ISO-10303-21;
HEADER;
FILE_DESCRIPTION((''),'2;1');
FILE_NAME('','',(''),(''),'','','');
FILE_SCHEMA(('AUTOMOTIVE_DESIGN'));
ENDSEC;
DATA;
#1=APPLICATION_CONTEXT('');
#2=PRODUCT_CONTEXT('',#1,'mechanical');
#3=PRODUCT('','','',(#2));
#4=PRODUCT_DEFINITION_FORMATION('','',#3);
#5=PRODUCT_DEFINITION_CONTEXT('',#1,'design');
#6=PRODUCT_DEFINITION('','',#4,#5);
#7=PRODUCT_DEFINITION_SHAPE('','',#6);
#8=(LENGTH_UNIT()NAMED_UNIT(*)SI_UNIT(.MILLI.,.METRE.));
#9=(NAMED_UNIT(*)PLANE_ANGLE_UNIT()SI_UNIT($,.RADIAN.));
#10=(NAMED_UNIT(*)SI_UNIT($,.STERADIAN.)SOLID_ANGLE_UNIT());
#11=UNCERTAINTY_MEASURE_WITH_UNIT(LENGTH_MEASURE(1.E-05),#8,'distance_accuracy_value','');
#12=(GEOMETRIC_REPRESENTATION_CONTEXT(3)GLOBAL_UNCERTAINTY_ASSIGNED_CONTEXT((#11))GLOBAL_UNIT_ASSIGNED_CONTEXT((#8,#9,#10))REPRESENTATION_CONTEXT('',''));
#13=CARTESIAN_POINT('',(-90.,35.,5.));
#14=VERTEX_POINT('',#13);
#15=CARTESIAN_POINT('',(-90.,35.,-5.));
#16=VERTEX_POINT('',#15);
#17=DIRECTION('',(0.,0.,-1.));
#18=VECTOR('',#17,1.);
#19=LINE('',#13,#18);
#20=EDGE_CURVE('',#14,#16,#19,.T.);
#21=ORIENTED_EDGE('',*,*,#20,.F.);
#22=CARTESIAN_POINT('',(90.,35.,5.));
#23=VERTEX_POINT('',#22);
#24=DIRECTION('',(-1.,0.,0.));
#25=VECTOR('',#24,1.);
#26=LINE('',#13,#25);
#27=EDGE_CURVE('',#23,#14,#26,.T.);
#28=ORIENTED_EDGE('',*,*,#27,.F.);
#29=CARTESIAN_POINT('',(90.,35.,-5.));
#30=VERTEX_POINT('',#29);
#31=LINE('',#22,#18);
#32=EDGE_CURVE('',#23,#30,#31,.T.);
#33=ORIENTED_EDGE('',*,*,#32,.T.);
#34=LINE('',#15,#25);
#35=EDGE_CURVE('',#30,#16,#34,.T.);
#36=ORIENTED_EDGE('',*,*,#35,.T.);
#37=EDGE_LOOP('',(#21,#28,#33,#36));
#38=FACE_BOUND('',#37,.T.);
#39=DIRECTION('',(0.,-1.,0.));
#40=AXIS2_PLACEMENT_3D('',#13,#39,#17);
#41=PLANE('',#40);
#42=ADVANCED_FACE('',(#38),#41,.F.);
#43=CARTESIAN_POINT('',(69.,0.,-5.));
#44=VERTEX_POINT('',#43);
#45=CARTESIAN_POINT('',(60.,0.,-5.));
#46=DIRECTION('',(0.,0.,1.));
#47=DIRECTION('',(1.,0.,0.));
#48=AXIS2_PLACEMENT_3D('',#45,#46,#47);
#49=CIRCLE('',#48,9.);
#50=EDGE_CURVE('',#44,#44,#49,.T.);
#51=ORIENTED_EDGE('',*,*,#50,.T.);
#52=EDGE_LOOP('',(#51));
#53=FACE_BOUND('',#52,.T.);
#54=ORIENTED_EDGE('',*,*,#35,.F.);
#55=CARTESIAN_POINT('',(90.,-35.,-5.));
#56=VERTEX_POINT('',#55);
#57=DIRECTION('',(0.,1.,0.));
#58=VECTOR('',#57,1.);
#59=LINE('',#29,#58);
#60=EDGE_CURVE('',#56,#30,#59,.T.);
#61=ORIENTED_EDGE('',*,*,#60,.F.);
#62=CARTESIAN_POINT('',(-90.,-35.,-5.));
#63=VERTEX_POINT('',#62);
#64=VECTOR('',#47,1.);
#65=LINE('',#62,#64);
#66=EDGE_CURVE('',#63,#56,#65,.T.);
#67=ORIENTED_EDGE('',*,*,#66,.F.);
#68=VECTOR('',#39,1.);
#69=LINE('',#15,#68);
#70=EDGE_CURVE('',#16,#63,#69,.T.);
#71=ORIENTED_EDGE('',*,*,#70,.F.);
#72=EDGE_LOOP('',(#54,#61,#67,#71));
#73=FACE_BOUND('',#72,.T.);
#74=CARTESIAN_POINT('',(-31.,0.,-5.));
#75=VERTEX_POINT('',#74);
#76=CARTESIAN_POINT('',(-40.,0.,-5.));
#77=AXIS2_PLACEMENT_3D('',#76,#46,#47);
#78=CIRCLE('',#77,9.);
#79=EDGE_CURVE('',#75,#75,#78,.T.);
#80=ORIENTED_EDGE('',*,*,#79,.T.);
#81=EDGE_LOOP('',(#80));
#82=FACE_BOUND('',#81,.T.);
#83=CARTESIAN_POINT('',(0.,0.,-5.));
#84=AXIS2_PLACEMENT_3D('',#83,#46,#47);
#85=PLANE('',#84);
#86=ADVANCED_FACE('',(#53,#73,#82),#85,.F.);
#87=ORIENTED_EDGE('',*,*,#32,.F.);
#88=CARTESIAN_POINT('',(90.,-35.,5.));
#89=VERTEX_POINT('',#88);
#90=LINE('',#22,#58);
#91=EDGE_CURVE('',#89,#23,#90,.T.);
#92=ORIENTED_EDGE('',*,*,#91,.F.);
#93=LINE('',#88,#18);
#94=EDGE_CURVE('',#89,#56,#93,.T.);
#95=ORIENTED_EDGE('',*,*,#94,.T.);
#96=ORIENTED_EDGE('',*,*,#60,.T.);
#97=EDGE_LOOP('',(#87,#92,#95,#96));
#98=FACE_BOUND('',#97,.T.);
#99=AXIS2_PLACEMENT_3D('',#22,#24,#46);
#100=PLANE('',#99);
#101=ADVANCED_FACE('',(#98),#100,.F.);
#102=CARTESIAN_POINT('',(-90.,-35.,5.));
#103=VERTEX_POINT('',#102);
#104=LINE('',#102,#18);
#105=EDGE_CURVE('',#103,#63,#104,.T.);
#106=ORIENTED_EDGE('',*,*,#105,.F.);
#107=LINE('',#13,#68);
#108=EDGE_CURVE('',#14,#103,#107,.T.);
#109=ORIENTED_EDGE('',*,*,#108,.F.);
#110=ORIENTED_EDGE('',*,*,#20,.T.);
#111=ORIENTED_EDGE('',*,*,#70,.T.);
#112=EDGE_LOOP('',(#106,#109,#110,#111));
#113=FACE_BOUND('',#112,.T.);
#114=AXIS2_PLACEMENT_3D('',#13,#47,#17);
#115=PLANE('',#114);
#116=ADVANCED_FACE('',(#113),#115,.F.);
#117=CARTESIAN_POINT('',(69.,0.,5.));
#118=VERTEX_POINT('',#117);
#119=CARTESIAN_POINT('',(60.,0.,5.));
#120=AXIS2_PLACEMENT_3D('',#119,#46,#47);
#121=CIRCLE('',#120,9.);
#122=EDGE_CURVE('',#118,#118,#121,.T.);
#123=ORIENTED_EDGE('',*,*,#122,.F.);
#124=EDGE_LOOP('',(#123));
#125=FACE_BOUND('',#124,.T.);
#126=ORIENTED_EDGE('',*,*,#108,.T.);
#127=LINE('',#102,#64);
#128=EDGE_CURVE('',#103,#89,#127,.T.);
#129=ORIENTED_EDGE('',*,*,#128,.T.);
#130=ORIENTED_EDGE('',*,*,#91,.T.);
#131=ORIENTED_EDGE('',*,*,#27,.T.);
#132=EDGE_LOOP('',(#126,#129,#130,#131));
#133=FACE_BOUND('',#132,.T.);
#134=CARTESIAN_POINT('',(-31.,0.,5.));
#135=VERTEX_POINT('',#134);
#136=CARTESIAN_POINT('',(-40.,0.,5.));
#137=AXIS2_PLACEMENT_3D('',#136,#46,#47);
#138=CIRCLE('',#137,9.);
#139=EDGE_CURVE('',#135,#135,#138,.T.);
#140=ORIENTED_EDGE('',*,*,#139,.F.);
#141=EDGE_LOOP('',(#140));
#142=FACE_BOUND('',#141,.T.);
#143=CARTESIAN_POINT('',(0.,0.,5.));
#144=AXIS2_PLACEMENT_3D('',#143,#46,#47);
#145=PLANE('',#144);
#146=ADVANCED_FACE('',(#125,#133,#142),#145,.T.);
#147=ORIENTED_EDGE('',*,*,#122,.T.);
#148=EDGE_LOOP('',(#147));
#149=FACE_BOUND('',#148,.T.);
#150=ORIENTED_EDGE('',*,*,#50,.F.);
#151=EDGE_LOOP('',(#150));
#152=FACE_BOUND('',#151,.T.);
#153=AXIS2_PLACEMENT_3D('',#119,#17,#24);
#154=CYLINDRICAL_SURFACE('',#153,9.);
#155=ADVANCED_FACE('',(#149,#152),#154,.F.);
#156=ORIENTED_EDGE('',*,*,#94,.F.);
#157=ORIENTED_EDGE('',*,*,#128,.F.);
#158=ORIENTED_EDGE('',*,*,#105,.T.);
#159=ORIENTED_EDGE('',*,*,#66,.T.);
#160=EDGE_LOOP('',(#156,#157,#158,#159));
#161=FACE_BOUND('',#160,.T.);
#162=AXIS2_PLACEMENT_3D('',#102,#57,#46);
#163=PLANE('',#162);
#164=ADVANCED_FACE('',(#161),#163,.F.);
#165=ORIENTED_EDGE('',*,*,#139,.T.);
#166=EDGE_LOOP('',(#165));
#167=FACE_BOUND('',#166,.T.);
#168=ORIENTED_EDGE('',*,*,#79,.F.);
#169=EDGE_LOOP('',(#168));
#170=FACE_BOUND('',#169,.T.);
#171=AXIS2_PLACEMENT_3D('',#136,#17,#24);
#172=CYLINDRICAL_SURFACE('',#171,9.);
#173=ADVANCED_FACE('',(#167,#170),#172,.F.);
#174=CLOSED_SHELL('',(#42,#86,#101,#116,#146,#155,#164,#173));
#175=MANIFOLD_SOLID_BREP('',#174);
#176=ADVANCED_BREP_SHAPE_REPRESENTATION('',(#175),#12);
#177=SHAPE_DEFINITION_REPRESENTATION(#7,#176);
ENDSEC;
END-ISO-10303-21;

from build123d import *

# Parameters (mm, degrees)
SKETCH1_W           = 180
SKETCH1_H           = 70
SKETCH1_R           = 9
BOSS_EXTRUDE1_DEPTH = 5


with BuildPart() as part:
    # Sketch1 → Boss-Extrude1 (new, symmetric)
    with BuildSketch(Plane.XY):
        Rectangle(SKETCH1_W, SKETCH1_H)
        with Locations((60, 0)):
            Circle(SKETCH1_R, mode=Mode.SUBTRACT)
        with Locations((-40, 0)):
            Circle(SKETCH1_R, mode=Mode.SUBTRACT)
    extrude(amount=BOSS_EXTRUDE1_DEPTH, both=True)


solid = part.part
